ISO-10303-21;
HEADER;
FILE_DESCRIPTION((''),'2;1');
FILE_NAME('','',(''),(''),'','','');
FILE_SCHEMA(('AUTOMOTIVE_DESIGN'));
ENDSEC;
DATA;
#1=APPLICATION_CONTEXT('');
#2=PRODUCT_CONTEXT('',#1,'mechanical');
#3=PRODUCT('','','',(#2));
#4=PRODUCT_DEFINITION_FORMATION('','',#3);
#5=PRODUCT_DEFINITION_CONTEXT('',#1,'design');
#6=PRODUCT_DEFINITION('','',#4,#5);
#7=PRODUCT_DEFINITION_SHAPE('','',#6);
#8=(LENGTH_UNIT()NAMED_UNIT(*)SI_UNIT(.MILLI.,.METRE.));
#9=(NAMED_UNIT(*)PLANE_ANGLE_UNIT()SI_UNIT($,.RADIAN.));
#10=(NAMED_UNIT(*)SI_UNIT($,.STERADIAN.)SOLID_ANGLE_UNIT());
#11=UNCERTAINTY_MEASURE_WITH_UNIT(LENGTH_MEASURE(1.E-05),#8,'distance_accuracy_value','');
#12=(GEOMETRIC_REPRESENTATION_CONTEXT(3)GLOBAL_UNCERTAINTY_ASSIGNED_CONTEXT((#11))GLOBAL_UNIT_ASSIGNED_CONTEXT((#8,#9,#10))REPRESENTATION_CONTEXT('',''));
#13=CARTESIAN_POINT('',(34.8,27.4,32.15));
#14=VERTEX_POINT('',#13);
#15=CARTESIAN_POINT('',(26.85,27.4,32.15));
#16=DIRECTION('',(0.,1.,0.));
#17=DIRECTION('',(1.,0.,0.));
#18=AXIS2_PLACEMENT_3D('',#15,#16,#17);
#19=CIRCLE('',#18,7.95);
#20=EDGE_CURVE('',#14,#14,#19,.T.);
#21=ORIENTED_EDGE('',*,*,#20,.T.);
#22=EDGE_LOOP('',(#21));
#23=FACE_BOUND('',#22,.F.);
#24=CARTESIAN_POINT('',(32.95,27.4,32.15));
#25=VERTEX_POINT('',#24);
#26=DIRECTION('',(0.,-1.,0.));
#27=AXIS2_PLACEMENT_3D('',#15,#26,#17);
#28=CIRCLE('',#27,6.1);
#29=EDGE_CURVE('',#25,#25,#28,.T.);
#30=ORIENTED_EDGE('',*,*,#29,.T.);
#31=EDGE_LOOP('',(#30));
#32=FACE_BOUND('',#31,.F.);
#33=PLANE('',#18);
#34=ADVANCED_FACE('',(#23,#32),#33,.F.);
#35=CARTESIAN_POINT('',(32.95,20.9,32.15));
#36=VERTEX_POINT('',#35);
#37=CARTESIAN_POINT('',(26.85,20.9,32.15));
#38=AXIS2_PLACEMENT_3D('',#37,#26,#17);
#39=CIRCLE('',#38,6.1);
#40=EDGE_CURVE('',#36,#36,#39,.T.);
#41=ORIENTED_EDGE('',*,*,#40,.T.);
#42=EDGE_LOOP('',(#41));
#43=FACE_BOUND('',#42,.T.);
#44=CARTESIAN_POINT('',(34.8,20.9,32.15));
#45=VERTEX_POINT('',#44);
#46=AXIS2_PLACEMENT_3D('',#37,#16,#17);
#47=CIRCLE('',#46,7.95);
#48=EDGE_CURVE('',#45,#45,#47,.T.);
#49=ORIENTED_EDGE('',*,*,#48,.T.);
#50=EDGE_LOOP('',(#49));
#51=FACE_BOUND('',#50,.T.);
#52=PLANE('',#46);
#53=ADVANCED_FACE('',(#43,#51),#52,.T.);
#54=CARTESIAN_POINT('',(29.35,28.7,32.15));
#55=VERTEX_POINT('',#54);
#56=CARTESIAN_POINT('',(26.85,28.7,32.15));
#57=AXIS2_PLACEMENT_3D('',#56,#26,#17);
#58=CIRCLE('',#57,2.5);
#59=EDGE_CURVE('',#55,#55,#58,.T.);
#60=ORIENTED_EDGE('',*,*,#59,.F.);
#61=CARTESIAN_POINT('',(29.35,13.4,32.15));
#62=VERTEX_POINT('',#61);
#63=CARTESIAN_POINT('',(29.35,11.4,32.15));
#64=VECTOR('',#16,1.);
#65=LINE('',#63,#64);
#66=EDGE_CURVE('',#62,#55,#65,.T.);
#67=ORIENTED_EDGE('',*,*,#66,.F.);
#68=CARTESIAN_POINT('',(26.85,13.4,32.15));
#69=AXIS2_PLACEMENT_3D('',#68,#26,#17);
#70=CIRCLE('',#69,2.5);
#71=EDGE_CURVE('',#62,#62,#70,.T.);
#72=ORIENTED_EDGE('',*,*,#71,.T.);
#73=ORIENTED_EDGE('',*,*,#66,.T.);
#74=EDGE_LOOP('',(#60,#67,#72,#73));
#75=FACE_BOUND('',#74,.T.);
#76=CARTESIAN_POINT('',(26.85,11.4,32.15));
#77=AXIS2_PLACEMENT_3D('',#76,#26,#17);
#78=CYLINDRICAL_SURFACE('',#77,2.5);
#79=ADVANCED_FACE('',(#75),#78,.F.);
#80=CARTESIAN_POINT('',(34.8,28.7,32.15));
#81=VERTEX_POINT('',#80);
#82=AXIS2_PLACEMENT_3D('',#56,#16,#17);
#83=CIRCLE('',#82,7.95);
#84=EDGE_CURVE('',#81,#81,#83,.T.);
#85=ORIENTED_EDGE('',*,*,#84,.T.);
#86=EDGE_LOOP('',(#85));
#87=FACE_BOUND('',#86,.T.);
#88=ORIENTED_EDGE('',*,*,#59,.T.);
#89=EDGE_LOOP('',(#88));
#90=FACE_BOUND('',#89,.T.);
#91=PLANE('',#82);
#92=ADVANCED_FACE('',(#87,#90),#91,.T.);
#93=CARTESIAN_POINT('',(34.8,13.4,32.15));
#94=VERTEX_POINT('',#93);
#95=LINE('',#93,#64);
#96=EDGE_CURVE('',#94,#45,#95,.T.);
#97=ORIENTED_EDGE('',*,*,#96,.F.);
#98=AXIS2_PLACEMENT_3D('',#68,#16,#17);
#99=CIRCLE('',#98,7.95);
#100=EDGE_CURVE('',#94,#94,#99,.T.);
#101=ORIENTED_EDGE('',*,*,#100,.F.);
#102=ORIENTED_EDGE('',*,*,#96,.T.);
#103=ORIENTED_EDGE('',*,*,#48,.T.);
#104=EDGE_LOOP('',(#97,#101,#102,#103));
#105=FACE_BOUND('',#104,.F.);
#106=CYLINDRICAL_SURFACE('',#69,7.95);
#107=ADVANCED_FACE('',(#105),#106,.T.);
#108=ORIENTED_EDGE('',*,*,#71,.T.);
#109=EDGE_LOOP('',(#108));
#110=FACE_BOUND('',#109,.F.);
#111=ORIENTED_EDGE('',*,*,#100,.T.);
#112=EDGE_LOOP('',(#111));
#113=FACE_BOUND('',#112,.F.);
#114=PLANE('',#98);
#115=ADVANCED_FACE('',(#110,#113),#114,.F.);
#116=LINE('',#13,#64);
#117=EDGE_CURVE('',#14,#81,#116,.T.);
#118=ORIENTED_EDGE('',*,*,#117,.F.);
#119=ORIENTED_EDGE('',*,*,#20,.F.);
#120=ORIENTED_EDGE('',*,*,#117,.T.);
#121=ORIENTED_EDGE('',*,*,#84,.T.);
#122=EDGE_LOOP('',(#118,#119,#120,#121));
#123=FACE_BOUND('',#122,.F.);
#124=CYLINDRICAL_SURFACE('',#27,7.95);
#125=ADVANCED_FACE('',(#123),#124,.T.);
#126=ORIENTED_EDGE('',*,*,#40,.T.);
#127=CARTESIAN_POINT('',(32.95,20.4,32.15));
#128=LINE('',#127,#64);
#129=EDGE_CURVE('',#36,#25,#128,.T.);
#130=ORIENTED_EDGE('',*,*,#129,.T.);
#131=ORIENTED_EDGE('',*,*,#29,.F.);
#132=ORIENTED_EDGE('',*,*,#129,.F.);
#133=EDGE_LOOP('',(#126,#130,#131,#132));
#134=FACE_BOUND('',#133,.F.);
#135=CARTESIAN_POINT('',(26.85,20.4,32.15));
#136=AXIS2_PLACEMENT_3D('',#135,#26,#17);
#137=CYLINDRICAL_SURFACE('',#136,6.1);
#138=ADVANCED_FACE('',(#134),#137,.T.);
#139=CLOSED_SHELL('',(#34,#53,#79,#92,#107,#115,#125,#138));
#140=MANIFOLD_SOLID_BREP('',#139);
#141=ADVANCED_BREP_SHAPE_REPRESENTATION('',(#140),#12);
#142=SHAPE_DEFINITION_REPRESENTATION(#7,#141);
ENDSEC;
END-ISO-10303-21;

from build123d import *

# Parameters (mm, degrees)
CYLINDER269_R          = 2.5
CYLINDER269_DEPTH      = 19.2
CYLINDER267_R          = 6.1
CYLINDER267_DEPTH      = 7.2
CYLINDER268_R          = 7.95
CYLINDER268_DEPTH      = 1.3
CYLINDER266_R          = 7.95
CYLINDER266_DEPTH      = 7.5
CUT196_PLACEMENT_ANGLE = 270


with BuildPart() as cylinder269:
    # Cylinder269 → Cylinder269 (new body)
    with BuildSketch(Plane.XY.offset(-2)):
        Circle(CYLINDER269_R)
    extrude(amount=CYLINDER269_DEPTH)


with BuildPart() as cylinder267:
    # Cylinder267 → Cylinder267 (new body)
    with BuildSketch(Plane.XY.offset(7)):
        Circle(CYLINDER267_R)
    extrude(amount=CYLINDER267_DEPTH)


with BuildPart() as cylinder268:
    # Cylinder268 → Cylinder268 (new body)
    with BuildSketch(Plane.XY.offset(14)):
        Circle(CYLINDER268_R)
    extrude(amount=CYLINDER268_DEPTH)


with BuildPart() as cut196:
    # Cylinder266 → Cylinder266 (new body)
    with BuildSketch(Plane.XY):
        Circle(CYLINDER266_R)
    extrude(amount=CYLINDER266_DEPTH)

    # Fusion104: union Cylinder267, Cylinder268
    add(cylinder267.part)
    add(cylinder268.part)

    # Cut196: cut Cylinder269
    add(cylinder269.part, mode=Mode.SUBTRACT)


with BuildPart() as cut196_1:
    # Cut196 placement: moved
    add(cut196.part.moved(Location((26.85, 13.4, 32.15))).rotate(Axis((26.85, 13.4, 32.15), (1, 0, 0)), CUT196_PLACEMENT_ANGLE))


solid = cut196_1.part
